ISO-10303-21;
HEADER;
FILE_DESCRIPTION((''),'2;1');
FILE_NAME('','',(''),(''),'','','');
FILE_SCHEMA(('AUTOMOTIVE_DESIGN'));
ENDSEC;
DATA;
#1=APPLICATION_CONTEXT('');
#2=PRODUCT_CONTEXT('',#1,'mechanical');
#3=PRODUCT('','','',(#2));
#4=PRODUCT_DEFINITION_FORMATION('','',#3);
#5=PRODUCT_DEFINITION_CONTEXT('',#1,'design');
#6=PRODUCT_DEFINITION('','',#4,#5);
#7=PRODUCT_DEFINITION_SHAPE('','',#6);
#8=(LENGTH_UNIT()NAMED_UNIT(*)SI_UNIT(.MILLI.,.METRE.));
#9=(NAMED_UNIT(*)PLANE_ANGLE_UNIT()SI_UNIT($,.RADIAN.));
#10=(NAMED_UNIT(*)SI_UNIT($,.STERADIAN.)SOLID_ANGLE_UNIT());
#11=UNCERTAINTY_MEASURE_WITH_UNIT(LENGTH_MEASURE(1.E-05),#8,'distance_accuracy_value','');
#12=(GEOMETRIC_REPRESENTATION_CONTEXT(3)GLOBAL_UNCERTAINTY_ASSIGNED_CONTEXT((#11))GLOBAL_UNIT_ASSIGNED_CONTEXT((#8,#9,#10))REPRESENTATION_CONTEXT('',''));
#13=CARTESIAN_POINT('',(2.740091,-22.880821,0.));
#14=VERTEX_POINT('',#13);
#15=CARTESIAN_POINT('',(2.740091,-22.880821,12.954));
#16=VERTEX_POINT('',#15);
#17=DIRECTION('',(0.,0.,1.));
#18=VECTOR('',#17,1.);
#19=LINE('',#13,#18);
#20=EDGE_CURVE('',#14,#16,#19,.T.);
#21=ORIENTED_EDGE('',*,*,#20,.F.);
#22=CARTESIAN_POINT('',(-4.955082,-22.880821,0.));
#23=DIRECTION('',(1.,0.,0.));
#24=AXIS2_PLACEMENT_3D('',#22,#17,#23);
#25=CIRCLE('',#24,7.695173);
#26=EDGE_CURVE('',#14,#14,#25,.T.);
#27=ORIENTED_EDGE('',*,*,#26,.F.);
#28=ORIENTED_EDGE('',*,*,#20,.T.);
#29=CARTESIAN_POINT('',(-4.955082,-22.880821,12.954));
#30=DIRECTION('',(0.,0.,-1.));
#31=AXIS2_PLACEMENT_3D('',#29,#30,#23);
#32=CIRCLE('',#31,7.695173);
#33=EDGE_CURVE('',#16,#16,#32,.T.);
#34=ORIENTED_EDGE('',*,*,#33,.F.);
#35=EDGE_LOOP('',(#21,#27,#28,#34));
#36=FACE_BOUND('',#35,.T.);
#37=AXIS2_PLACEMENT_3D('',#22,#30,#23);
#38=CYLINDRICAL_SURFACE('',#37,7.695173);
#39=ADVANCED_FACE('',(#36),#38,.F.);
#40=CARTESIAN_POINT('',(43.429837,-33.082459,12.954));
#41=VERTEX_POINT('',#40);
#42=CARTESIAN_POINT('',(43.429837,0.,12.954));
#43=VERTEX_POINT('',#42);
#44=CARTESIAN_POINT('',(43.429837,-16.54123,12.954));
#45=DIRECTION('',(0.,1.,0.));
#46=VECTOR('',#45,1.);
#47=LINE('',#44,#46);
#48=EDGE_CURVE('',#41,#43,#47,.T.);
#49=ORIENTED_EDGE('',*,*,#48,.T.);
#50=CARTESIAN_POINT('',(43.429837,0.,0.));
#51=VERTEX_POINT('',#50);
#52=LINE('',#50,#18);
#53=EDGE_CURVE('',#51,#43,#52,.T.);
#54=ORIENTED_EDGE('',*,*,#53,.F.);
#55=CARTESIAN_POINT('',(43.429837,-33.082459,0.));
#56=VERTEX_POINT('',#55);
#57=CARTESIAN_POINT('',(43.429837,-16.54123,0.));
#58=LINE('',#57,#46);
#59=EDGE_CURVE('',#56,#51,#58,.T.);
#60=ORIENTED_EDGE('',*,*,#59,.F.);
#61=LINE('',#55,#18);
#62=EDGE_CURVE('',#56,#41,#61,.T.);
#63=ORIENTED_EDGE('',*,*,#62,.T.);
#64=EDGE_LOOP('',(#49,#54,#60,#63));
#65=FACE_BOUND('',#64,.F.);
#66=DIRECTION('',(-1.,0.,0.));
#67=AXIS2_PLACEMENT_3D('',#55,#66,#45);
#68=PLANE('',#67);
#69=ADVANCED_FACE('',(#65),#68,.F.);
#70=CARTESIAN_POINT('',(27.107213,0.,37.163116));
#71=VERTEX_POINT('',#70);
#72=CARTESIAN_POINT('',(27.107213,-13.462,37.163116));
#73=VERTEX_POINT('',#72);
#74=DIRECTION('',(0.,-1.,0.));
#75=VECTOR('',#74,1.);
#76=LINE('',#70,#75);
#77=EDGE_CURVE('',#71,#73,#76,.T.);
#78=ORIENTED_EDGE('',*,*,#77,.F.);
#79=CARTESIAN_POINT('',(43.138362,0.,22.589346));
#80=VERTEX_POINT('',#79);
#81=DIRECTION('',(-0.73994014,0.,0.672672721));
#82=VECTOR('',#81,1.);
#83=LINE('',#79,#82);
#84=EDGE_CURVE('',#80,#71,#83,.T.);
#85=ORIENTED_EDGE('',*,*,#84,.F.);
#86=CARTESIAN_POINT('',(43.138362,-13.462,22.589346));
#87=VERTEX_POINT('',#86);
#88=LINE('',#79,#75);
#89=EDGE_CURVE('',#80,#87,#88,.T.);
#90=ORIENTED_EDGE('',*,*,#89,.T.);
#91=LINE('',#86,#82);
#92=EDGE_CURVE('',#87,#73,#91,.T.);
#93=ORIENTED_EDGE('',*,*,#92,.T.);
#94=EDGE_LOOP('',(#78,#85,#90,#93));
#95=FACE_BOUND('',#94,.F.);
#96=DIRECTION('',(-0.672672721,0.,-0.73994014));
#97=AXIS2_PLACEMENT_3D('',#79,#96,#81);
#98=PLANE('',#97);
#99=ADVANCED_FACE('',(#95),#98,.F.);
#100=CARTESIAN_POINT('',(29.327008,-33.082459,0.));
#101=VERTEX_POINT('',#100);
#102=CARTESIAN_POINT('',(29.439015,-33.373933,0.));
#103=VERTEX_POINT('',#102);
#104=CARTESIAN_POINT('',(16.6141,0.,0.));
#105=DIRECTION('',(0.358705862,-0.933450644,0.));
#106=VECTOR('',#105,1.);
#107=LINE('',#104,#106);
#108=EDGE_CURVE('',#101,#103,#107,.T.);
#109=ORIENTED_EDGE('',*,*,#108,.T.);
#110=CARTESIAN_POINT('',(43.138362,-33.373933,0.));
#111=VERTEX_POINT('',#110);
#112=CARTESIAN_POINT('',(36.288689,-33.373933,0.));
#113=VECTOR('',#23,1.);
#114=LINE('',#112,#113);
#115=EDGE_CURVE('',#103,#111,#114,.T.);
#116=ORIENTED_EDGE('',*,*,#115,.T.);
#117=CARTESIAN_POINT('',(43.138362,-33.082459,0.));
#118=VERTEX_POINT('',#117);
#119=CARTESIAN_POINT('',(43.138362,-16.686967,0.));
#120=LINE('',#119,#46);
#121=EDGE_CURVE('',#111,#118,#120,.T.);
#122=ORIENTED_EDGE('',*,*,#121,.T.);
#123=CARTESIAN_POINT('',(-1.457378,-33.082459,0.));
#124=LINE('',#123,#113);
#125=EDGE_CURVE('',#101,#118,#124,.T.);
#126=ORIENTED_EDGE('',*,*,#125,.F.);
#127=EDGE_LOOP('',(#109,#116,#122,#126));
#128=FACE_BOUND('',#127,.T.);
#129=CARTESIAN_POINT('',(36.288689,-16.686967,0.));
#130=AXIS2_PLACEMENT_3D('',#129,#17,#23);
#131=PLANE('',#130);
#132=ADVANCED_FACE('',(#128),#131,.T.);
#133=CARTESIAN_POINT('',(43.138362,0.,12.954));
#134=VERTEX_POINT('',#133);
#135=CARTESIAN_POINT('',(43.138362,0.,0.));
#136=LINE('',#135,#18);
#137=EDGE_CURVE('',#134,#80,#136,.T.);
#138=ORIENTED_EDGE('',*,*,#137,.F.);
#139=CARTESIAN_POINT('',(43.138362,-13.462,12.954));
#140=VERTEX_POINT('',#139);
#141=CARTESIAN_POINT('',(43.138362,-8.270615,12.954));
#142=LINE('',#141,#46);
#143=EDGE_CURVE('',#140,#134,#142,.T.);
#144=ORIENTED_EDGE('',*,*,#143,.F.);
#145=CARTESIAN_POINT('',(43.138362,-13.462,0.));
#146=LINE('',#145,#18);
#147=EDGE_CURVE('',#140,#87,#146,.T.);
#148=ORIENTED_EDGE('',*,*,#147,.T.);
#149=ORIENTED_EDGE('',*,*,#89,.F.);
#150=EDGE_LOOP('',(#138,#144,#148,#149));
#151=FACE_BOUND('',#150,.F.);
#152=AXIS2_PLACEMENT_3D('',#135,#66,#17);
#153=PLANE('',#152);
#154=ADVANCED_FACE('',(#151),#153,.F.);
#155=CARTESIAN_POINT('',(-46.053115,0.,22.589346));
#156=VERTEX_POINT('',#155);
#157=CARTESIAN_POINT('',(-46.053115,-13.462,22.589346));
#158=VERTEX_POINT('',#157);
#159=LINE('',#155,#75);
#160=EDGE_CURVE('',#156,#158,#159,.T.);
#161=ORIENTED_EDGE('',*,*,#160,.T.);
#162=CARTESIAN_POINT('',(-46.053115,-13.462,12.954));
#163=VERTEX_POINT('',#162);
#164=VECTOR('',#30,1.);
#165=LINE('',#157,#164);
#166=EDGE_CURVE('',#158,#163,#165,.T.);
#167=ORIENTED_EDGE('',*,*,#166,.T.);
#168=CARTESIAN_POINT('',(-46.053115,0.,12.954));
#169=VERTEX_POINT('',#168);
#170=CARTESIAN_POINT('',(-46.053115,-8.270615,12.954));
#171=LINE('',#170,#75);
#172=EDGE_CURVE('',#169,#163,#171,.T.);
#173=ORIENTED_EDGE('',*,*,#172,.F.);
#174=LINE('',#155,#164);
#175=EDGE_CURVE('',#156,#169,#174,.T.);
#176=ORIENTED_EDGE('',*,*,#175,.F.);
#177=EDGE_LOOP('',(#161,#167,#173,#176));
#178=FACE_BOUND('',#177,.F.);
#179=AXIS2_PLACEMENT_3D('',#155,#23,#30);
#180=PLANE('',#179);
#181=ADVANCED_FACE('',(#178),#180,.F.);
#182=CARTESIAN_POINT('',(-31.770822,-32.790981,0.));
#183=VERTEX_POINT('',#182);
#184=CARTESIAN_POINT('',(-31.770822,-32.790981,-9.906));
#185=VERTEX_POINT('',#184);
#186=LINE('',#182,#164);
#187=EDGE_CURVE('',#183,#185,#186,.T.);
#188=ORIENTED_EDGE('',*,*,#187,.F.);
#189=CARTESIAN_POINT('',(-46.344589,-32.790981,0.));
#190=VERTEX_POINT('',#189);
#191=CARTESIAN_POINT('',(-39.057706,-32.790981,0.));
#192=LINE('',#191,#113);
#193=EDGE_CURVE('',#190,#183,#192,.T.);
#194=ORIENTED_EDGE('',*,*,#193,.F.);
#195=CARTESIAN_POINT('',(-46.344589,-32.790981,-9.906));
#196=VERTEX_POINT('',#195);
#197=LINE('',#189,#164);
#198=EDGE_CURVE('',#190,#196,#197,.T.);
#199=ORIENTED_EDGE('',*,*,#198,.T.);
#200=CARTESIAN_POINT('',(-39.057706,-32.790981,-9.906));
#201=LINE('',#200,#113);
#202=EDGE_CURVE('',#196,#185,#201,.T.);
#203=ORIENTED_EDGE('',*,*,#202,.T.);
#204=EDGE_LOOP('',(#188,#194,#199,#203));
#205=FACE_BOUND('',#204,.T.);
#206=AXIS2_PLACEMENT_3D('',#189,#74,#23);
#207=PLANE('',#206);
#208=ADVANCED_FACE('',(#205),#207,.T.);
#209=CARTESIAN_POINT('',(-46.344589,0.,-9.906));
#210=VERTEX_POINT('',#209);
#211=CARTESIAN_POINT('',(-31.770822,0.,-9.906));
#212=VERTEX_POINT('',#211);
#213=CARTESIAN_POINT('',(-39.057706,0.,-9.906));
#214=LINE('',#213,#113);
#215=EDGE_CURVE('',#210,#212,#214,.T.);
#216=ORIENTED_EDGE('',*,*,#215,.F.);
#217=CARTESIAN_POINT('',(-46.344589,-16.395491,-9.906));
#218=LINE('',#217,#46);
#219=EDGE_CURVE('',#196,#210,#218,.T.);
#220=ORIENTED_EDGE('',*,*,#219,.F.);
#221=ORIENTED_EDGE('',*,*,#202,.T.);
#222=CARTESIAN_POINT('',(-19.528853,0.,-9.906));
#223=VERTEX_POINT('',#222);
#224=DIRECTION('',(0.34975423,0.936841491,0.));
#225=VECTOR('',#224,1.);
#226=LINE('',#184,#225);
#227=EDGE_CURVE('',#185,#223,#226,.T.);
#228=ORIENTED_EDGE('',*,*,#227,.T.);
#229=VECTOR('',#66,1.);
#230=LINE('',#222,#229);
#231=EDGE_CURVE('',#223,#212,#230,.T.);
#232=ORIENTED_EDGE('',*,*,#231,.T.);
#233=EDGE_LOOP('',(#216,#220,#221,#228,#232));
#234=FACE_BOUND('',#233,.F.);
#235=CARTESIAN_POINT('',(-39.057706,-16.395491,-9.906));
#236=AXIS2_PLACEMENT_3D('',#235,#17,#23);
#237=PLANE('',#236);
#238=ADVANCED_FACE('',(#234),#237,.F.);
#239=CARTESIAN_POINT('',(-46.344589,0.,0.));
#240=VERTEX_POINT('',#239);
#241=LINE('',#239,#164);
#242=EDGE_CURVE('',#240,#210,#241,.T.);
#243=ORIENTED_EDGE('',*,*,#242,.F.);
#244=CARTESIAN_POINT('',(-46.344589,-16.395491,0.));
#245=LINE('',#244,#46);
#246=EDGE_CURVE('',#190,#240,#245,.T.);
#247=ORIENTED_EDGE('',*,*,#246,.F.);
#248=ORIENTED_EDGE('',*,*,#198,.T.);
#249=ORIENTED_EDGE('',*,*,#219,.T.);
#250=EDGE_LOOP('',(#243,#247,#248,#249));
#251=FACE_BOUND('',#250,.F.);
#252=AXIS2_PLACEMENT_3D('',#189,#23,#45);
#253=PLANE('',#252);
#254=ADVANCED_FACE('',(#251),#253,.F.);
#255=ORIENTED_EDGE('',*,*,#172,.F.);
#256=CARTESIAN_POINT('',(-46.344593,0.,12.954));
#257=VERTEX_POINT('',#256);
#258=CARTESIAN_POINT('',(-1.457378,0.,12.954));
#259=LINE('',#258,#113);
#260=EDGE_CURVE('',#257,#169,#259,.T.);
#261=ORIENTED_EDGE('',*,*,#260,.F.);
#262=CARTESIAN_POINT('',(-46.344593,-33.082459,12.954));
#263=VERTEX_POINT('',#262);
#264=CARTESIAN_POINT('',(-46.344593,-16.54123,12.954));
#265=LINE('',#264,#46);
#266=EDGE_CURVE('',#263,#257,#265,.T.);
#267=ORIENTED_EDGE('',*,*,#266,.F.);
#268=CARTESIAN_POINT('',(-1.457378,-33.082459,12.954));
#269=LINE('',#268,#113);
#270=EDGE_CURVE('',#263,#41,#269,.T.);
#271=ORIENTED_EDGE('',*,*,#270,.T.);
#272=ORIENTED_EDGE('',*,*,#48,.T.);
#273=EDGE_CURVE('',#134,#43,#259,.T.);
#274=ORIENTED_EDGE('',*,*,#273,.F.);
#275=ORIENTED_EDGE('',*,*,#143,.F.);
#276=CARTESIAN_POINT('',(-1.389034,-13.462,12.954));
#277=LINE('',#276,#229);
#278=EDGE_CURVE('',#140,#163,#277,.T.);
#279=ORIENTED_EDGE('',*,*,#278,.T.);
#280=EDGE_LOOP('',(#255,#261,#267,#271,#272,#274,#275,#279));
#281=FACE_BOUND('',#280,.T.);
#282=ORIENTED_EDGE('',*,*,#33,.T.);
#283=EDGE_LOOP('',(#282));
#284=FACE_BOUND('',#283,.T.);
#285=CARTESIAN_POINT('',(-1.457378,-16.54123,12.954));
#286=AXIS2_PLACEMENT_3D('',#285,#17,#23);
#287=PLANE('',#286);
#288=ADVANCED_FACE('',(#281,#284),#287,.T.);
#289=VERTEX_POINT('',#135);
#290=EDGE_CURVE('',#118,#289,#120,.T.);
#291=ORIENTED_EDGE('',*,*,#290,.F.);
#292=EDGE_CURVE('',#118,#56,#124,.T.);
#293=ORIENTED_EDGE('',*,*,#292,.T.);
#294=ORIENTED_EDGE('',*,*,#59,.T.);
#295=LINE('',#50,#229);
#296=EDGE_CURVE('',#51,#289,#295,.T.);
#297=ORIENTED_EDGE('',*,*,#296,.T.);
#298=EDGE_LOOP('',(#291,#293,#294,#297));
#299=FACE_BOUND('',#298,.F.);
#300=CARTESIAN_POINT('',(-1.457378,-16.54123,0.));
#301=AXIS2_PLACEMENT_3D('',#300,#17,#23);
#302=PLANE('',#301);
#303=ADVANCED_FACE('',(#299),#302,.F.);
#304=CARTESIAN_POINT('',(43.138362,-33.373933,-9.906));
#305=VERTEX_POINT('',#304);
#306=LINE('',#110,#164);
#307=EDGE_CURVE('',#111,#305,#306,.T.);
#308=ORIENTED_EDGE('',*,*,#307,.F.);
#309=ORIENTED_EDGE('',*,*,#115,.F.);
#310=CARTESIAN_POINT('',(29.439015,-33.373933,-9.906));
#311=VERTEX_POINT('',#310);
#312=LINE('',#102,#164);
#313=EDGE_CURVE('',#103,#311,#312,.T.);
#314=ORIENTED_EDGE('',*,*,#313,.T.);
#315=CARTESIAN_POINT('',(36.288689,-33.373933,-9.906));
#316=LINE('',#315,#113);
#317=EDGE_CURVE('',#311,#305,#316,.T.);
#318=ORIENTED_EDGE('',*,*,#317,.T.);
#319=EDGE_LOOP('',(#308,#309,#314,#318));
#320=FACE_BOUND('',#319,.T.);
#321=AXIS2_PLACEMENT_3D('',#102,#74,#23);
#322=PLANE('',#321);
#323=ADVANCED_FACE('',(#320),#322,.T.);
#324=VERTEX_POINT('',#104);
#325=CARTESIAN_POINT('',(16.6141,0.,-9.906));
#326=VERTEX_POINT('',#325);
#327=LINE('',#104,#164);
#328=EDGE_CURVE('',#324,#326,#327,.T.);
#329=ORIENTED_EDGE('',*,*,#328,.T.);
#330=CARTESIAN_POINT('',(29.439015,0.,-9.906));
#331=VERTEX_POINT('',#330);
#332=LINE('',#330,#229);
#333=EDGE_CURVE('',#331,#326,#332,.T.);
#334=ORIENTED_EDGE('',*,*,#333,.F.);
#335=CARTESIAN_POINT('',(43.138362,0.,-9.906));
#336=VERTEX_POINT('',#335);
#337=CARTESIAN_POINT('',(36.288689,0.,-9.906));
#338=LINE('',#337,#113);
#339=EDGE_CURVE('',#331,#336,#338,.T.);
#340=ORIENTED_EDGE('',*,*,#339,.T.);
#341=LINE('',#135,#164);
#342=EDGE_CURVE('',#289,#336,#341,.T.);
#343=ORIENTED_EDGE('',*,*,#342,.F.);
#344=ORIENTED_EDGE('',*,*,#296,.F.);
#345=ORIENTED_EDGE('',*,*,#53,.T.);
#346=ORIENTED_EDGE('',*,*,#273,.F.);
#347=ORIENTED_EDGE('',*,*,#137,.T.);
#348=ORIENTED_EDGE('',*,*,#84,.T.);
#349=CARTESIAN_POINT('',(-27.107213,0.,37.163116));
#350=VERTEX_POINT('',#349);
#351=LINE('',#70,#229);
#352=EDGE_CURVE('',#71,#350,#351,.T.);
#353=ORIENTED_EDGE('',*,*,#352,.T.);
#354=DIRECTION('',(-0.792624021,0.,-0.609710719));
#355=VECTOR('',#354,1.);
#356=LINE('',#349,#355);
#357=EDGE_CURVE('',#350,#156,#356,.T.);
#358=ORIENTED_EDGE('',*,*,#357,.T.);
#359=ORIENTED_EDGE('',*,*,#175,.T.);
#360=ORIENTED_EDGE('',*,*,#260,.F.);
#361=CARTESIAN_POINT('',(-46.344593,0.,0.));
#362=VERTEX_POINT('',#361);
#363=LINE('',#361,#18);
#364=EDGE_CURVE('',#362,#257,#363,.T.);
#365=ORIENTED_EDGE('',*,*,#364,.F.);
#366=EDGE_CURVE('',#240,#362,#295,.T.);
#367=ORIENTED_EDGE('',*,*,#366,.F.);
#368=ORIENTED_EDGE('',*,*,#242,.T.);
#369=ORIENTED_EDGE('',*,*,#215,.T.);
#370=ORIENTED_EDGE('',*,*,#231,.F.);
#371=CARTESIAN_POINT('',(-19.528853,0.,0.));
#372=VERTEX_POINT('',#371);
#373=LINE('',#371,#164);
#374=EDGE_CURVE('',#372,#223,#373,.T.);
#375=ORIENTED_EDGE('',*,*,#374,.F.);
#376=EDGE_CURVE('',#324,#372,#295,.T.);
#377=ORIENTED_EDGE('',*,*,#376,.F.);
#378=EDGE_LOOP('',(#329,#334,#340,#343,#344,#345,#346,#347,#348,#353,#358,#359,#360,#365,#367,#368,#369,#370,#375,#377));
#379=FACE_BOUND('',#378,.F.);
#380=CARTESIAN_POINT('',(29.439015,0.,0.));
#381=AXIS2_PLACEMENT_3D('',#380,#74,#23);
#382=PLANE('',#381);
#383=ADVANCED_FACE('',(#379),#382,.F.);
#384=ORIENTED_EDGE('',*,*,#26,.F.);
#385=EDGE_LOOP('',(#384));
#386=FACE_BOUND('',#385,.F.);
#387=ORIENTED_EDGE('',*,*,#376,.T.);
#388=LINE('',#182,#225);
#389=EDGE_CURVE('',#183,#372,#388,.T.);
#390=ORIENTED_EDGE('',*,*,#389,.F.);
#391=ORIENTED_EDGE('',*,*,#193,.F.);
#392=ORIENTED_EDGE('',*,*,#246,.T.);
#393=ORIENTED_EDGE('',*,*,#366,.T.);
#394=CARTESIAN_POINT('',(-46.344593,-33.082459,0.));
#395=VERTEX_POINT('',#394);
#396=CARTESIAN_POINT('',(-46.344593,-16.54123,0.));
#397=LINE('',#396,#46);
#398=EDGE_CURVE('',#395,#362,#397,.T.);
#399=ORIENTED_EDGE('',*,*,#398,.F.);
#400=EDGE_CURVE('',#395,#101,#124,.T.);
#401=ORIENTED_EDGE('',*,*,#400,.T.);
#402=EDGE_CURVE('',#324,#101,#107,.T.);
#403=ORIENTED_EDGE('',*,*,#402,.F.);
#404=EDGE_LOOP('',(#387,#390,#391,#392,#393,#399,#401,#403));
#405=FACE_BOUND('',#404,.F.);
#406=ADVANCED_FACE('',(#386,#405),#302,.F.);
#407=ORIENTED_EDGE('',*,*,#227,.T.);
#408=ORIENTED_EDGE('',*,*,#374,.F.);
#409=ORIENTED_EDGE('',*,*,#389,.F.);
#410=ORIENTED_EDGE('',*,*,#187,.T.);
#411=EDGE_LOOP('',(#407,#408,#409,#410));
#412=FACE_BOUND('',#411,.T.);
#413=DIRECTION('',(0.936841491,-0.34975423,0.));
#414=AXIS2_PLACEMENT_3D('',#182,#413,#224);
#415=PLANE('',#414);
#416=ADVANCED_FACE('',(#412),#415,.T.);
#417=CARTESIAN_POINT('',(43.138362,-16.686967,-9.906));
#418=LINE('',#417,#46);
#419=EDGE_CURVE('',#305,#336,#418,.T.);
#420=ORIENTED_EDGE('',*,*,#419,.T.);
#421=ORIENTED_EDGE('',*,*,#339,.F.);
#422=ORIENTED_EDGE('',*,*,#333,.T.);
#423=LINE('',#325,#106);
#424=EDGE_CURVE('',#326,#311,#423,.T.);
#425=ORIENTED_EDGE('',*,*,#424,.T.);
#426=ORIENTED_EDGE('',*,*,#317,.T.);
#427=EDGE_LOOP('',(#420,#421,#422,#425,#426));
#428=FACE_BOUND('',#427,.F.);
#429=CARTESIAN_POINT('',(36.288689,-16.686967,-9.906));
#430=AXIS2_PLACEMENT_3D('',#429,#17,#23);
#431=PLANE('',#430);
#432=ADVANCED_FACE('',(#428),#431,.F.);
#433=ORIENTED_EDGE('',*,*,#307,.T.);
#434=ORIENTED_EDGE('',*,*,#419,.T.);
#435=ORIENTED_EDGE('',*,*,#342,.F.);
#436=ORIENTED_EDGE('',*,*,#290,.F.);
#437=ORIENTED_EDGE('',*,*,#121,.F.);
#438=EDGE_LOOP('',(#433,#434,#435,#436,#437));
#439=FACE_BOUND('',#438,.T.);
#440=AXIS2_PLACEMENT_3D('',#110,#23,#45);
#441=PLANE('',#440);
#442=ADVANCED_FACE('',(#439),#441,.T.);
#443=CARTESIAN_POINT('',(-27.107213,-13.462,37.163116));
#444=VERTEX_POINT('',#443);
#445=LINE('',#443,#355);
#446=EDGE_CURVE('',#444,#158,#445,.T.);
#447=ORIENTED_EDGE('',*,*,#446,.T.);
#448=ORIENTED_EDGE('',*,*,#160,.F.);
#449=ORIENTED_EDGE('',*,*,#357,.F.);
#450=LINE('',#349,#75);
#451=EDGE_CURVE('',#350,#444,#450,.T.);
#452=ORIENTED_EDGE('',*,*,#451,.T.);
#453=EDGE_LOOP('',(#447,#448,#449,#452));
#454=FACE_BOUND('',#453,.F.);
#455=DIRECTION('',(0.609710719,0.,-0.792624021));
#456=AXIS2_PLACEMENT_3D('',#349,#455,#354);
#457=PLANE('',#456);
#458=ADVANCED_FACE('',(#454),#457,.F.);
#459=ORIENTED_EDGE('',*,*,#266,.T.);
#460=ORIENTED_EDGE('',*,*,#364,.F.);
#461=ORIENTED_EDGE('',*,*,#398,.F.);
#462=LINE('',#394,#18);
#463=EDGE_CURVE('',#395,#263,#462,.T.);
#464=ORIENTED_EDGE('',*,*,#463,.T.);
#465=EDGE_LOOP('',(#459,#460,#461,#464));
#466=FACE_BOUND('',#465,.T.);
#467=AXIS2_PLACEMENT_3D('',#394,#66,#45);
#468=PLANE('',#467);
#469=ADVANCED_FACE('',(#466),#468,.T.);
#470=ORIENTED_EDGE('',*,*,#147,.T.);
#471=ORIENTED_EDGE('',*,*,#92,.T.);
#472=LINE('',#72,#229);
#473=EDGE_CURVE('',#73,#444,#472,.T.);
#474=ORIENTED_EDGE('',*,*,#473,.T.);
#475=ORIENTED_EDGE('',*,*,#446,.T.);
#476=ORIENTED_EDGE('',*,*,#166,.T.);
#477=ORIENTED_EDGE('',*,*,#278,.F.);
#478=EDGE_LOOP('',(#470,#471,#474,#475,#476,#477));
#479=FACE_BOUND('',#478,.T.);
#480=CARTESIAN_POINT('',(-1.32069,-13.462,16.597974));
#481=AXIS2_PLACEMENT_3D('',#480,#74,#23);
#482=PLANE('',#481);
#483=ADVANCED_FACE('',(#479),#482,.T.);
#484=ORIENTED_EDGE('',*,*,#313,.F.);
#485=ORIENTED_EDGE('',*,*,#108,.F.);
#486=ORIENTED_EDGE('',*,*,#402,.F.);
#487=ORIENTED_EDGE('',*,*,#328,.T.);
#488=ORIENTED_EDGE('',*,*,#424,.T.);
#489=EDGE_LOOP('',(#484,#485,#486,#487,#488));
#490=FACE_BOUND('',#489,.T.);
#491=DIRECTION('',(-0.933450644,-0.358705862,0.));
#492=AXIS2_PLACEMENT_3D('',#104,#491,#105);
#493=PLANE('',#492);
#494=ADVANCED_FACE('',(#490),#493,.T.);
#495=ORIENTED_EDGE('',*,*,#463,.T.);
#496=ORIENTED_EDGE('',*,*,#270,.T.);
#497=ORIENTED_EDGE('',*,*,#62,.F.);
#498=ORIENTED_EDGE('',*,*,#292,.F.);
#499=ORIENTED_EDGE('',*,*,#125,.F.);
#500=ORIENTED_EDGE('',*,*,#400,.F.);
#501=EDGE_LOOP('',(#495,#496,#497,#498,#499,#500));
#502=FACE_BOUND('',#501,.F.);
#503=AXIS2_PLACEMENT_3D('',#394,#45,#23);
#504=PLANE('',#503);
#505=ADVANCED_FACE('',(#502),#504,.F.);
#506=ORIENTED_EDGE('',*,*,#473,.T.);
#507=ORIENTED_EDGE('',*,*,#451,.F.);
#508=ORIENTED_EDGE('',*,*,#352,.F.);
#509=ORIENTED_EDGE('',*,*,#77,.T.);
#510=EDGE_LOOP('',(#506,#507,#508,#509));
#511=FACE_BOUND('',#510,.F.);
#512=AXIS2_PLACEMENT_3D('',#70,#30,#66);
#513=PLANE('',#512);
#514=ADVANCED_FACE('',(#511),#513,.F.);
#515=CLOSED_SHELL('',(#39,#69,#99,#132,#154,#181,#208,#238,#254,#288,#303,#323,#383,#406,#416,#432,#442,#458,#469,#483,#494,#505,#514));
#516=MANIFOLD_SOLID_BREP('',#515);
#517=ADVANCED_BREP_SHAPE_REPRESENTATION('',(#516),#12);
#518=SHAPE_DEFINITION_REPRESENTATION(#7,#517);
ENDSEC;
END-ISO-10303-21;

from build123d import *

# Parameters (mm, degrees)
F1_DEPTH = 13.462
F2_W     = 89.7744297981
F2_H     = 33.0824591219
F3_DEPTH = 12.954
F4_R     = 7.6951725226
F5_DEPTH = 63.5
F6_W     = 14.5737677813
F6_H     = 32.7909812331
F6_W_2   = 13.6993471533
F6_H_2   = 33.3739332855
F7_DEPTH = 9.906


with BuildPart() as f1:
    # F0 (on Front) → F1 (new body)
    with BuildSketch(Plane.XZ):
        Polygon((-27.1072126925, 37.1631160378), (-46.0531152785, 22.5893463939), (-46.0531152785, 0), (43.1383624673, 0), (43.1383624673, 22.5893463939), (27.1072126925, 37.1631160378), align=None)
    extrude(amount=F1_DEPTH)

    # F2 (on Top) → F3 (join)
    with BuildSketch(Plane.XY):
        with Locations((-1.4573782682, -16.541229561)):
            Rectangle(F2_W, F2_H)
    extrude(amount=F3_DEPTH)

    # F4 (on Top) → F5 (cut)
    with BuildSketch(Plane.XY):
        with Locations((-4.9550817348, -22.8808205575)):
            Circle(F4_R)
    extrude(amount=F5_DEPTH, mode=Mode.SUBTRACT)

    # F6 (on Top) → F7 (join)
    with BuildSketch(Plane.XY):
        with Locations((-39.0577055514, -16.3954906166)):
            Rectangle(F6_W, F6_H)
        Polygon((-31.7708216608, 0), (-31.7708216608, -32.7909812331), (-19.5288527757, 0), align=None)
        with Locations((36.2886888906, -16.6869666427)):
            Rectangle(F6_W_2, F6_H_2)
        Polygon((16.6140999645, 0), (29.439015314, -33.3739332855), (29.439015314, 0), align=None)
    extrude(amount=-F7_DEPTH)


solid = f1.part
